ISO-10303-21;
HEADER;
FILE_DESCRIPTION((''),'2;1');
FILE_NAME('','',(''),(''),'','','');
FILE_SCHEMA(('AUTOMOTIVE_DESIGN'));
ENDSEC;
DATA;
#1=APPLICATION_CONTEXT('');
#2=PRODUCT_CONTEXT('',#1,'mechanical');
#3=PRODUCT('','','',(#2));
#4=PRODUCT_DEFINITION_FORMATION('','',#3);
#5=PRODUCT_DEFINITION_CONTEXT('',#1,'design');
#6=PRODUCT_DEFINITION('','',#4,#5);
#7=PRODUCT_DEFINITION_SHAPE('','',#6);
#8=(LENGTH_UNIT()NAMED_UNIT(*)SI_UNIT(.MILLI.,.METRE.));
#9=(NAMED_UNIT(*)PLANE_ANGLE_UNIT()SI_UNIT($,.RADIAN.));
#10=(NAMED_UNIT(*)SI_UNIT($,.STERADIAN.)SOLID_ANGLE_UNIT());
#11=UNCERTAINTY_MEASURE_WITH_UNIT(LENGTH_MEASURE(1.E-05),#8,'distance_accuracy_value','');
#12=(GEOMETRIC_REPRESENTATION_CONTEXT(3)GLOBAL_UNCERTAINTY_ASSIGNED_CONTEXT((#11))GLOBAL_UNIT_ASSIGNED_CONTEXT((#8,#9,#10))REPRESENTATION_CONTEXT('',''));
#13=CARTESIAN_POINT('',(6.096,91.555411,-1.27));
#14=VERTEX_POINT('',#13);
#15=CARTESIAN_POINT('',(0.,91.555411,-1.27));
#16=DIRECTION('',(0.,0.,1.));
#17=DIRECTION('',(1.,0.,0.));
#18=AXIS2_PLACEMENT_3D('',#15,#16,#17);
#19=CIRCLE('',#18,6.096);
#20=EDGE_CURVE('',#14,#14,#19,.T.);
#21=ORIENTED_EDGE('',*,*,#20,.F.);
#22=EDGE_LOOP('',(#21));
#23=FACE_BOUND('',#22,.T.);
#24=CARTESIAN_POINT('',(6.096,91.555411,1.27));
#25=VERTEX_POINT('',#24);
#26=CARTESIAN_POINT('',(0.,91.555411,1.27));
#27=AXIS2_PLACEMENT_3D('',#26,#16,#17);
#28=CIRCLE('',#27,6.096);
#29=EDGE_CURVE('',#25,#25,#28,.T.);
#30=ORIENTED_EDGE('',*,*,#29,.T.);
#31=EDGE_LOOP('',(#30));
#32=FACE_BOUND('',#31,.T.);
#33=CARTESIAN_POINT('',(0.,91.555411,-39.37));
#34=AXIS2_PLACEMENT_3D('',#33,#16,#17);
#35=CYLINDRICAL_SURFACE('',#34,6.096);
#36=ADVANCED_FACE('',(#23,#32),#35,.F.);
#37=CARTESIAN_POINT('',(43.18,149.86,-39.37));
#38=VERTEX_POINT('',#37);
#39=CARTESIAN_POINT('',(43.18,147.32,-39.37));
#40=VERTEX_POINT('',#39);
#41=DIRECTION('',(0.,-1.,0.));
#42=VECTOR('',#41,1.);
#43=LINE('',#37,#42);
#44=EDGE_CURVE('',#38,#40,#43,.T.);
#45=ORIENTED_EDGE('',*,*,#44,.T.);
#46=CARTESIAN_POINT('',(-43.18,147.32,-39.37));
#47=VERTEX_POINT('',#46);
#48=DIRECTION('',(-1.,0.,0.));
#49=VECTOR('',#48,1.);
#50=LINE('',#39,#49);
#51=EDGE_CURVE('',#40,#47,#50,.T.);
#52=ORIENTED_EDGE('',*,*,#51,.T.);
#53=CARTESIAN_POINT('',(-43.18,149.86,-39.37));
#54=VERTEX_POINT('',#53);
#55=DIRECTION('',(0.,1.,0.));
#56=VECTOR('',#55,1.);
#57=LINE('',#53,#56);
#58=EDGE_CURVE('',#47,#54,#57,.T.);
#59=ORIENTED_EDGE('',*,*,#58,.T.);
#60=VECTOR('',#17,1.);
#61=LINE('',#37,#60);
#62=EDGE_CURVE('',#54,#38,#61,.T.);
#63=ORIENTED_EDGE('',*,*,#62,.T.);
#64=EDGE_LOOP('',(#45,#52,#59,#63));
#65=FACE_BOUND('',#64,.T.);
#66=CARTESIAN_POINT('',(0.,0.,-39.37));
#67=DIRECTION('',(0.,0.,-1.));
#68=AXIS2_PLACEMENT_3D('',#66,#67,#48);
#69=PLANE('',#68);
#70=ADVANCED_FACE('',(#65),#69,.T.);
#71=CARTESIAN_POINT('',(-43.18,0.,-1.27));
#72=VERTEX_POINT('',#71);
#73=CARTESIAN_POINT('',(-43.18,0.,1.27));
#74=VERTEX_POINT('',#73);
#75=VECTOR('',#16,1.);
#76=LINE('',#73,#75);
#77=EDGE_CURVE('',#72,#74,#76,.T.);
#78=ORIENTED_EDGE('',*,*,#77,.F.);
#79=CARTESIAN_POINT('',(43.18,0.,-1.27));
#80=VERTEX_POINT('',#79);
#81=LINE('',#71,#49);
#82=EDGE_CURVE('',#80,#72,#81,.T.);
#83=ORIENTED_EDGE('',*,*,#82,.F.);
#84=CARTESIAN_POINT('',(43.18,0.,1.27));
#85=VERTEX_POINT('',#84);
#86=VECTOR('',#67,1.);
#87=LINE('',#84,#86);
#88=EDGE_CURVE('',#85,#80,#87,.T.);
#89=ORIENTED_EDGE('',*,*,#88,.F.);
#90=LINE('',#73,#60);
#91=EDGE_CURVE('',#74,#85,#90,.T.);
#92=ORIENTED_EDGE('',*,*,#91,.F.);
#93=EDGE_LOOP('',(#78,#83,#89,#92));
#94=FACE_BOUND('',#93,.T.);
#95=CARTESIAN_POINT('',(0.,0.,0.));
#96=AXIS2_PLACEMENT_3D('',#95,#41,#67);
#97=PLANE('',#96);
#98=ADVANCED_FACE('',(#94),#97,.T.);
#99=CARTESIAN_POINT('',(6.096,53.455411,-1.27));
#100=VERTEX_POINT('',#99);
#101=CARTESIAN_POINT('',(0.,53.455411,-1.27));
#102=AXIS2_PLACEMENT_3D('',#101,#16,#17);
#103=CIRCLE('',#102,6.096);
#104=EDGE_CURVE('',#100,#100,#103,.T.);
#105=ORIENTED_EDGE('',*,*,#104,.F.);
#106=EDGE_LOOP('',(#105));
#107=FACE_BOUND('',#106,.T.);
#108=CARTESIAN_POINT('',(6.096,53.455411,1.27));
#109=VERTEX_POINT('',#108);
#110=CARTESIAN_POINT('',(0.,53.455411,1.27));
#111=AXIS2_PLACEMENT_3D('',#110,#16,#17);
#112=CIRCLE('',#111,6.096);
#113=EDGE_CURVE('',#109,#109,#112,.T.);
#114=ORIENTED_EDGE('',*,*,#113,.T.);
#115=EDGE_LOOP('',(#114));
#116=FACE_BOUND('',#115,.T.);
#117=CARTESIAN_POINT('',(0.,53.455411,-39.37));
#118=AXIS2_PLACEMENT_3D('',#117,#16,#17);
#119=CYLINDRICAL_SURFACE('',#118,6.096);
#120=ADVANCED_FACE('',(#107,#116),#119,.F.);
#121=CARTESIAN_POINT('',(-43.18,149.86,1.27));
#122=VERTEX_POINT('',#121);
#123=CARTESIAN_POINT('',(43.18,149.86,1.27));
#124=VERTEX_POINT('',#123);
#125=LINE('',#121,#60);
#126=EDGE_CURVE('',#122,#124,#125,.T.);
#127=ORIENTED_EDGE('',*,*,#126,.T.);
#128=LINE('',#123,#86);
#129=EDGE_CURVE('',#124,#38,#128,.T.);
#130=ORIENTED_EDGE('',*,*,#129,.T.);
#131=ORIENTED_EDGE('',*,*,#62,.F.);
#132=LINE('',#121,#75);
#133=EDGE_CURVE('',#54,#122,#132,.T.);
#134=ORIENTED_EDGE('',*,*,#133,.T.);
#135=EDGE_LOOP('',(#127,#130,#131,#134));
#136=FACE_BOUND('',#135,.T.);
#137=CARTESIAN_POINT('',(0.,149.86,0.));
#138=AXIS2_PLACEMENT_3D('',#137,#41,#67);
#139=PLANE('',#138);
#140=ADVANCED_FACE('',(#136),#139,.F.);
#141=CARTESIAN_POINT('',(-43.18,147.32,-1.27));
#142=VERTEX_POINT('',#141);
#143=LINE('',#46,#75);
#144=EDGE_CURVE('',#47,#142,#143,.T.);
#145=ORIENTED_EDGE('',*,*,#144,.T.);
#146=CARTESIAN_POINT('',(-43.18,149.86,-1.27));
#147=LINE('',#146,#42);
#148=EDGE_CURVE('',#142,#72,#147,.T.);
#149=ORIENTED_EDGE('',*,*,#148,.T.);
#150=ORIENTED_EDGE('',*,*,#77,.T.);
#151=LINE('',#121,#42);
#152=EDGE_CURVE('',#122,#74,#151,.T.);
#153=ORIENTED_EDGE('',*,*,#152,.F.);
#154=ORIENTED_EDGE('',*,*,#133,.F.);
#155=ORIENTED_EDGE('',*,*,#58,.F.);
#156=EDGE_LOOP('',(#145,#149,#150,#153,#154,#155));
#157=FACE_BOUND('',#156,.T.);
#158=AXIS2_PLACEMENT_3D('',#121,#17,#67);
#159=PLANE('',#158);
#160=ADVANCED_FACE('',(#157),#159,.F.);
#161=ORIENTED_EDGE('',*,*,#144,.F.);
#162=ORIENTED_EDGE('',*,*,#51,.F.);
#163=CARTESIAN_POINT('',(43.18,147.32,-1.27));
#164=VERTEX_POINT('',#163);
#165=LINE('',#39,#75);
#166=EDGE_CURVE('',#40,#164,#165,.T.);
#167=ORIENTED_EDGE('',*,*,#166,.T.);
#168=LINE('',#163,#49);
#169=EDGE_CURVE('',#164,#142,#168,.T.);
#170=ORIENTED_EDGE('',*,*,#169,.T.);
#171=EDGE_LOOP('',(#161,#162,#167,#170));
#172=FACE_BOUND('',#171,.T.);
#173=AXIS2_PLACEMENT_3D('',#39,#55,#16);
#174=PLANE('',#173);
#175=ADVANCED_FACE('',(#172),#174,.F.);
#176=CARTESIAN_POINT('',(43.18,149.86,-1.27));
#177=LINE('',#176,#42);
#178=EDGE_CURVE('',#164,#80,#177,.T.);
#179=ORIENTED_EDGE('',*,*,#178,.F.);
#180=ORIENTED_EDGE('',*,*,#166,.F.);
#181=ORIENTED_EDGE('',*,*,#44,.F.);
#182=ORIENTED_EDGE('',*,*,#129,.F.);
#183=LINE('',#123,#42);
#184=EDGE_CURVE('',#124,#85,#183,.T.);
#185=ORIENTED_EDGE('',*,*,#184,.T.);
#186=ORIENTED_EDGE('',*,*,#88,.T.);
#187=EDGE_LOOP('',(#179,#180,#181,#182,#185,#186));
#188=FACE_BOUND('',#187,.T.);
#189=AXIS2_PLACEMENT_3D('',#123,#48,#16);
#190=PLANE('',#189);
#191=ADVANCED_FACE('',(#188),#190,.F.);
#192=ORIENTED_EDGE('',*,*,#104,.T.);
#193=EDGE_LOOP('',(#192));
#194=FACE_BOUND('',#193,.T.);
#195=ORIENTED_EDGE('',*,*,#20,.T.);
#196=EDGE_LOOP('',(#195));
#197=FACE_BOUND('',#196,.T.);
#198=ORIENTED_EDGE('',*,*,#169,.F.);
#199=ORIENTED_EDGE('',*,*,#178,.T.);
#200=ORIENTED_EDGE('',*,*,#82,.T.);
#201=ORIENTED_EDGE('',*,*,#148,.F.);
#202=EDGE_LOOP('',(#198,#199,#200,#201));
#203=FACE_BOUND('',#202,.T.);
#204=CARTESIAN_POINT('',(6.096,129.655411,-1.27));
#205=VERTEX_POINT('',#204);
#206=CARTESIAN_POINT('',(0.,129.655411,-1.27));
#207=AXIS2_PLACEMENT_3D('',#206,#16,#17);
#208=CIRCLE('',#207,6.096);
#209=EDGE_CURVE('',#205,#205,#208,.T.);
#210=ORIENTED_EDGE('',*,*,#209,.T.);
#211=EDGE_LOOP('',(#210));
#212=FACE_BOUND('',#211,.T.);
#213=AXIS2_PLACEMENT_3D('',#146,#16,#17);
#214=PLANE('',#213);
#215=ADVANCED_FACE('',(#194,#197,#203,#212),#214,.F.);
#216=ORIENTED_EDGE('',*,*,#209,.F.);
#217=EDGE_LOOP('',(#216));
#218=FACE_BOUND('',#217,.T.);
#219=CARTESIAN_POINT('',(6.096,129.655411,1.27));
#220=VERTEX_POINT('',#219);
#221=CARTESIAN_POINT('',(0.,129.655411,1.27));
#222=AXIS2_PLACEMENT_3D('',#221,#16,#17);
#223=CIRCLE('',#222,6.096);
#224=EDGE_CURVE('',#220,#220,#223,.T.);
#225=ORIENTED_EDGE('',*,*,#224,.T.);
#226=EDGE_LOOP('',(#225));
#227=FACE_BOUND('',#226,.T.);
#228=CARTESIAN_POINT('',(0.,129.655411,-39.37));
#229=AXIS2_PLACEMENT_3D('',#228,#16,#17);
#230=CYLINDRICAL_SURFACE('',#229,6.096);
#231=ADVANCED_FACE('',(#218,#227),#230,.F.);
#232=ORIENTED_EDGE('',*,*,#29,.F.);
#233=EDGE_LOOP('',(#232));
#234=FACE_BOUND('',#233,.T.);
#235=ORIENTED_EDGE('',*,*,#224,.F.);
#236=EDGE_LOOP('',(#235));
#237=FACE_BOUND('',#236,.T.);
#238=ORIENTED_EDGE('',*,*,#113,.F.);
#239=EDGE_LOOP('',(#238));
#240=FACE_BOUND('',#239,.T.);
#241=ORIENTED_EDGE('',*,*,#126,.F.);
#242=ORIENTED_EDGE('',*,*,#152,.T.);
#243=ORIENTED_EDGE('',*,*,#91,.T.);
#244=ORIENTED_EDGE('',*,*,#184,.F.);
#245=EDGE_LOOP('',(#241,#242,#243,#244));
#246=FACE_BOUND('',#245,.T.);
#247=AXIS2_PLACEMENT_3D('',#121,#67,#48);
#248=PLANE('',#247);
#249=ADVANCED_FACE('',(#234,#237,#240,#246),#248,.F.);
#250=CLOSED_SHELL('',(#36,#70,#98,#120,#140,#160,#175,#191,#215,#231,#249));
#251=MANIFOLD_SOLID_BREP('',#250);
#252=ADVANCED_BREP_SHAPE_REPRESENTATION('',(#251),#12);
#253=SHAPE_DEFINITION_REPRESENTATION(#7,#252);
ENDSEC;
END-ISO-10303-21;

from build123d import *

# Parameters (mm, degrees)
SKETCH1_W           = 86.36
SKETCH1_H           = 2.54
BOSS_EXTRUDE1_DEPTH = 149.86
SKETCH2_W           = 86.36
SKETCH2_H           = 2.54
BOSS_EXTRUDE2_DEPTH = 38.1
SKETCH3_R           = 6.096
CUT_EXTRUDE1_DEPTH  = 41.64


with BuildPart() as part:
    # Sketch1 → Boss-Extrude1 (new body)
    with BuildSketch(Plane(origin=(0, 0, 0), x_dir=(1, 0, 0), z_dir=(0, 1, 0))):
        Rectangle(SKETCH1_W, SKETCH1_H)
    extrude(amount=BOSS_EXTRUDE1_DEPTH)

    # Sketch2 → Boss-Extrude2 (add)
    with BuildSketch(Plane(origin=(0, 0, -1.27), x_dir=(-1, 0, 0), z_dir=(0, 0, -1))):
        with Locations((0, 148.59)):
            Rectangle(SKETCH2_W, SKETCH2_H)
    extrude(amount=BOSS_EXTRUDE2_DEPTH)

    # Sketch3 → Cut-Extrude1 (cut, through all)
    with BuildSketch(Plane.XY.offset(1.27)):
        with Locations((0, 129.655411205)):
            Circle(SKETCH3_R)
        with Locations((0, 91.555411205)):
            Circle(SKETCH3_R)
        with Locations((0, 53.455411205)):
            Circle(SKETCH3_R)
    extrude(amount=-CUT_EXTRUDE1_DEPTH, mode=Mode.SUBTRACT)


solid = part.part
